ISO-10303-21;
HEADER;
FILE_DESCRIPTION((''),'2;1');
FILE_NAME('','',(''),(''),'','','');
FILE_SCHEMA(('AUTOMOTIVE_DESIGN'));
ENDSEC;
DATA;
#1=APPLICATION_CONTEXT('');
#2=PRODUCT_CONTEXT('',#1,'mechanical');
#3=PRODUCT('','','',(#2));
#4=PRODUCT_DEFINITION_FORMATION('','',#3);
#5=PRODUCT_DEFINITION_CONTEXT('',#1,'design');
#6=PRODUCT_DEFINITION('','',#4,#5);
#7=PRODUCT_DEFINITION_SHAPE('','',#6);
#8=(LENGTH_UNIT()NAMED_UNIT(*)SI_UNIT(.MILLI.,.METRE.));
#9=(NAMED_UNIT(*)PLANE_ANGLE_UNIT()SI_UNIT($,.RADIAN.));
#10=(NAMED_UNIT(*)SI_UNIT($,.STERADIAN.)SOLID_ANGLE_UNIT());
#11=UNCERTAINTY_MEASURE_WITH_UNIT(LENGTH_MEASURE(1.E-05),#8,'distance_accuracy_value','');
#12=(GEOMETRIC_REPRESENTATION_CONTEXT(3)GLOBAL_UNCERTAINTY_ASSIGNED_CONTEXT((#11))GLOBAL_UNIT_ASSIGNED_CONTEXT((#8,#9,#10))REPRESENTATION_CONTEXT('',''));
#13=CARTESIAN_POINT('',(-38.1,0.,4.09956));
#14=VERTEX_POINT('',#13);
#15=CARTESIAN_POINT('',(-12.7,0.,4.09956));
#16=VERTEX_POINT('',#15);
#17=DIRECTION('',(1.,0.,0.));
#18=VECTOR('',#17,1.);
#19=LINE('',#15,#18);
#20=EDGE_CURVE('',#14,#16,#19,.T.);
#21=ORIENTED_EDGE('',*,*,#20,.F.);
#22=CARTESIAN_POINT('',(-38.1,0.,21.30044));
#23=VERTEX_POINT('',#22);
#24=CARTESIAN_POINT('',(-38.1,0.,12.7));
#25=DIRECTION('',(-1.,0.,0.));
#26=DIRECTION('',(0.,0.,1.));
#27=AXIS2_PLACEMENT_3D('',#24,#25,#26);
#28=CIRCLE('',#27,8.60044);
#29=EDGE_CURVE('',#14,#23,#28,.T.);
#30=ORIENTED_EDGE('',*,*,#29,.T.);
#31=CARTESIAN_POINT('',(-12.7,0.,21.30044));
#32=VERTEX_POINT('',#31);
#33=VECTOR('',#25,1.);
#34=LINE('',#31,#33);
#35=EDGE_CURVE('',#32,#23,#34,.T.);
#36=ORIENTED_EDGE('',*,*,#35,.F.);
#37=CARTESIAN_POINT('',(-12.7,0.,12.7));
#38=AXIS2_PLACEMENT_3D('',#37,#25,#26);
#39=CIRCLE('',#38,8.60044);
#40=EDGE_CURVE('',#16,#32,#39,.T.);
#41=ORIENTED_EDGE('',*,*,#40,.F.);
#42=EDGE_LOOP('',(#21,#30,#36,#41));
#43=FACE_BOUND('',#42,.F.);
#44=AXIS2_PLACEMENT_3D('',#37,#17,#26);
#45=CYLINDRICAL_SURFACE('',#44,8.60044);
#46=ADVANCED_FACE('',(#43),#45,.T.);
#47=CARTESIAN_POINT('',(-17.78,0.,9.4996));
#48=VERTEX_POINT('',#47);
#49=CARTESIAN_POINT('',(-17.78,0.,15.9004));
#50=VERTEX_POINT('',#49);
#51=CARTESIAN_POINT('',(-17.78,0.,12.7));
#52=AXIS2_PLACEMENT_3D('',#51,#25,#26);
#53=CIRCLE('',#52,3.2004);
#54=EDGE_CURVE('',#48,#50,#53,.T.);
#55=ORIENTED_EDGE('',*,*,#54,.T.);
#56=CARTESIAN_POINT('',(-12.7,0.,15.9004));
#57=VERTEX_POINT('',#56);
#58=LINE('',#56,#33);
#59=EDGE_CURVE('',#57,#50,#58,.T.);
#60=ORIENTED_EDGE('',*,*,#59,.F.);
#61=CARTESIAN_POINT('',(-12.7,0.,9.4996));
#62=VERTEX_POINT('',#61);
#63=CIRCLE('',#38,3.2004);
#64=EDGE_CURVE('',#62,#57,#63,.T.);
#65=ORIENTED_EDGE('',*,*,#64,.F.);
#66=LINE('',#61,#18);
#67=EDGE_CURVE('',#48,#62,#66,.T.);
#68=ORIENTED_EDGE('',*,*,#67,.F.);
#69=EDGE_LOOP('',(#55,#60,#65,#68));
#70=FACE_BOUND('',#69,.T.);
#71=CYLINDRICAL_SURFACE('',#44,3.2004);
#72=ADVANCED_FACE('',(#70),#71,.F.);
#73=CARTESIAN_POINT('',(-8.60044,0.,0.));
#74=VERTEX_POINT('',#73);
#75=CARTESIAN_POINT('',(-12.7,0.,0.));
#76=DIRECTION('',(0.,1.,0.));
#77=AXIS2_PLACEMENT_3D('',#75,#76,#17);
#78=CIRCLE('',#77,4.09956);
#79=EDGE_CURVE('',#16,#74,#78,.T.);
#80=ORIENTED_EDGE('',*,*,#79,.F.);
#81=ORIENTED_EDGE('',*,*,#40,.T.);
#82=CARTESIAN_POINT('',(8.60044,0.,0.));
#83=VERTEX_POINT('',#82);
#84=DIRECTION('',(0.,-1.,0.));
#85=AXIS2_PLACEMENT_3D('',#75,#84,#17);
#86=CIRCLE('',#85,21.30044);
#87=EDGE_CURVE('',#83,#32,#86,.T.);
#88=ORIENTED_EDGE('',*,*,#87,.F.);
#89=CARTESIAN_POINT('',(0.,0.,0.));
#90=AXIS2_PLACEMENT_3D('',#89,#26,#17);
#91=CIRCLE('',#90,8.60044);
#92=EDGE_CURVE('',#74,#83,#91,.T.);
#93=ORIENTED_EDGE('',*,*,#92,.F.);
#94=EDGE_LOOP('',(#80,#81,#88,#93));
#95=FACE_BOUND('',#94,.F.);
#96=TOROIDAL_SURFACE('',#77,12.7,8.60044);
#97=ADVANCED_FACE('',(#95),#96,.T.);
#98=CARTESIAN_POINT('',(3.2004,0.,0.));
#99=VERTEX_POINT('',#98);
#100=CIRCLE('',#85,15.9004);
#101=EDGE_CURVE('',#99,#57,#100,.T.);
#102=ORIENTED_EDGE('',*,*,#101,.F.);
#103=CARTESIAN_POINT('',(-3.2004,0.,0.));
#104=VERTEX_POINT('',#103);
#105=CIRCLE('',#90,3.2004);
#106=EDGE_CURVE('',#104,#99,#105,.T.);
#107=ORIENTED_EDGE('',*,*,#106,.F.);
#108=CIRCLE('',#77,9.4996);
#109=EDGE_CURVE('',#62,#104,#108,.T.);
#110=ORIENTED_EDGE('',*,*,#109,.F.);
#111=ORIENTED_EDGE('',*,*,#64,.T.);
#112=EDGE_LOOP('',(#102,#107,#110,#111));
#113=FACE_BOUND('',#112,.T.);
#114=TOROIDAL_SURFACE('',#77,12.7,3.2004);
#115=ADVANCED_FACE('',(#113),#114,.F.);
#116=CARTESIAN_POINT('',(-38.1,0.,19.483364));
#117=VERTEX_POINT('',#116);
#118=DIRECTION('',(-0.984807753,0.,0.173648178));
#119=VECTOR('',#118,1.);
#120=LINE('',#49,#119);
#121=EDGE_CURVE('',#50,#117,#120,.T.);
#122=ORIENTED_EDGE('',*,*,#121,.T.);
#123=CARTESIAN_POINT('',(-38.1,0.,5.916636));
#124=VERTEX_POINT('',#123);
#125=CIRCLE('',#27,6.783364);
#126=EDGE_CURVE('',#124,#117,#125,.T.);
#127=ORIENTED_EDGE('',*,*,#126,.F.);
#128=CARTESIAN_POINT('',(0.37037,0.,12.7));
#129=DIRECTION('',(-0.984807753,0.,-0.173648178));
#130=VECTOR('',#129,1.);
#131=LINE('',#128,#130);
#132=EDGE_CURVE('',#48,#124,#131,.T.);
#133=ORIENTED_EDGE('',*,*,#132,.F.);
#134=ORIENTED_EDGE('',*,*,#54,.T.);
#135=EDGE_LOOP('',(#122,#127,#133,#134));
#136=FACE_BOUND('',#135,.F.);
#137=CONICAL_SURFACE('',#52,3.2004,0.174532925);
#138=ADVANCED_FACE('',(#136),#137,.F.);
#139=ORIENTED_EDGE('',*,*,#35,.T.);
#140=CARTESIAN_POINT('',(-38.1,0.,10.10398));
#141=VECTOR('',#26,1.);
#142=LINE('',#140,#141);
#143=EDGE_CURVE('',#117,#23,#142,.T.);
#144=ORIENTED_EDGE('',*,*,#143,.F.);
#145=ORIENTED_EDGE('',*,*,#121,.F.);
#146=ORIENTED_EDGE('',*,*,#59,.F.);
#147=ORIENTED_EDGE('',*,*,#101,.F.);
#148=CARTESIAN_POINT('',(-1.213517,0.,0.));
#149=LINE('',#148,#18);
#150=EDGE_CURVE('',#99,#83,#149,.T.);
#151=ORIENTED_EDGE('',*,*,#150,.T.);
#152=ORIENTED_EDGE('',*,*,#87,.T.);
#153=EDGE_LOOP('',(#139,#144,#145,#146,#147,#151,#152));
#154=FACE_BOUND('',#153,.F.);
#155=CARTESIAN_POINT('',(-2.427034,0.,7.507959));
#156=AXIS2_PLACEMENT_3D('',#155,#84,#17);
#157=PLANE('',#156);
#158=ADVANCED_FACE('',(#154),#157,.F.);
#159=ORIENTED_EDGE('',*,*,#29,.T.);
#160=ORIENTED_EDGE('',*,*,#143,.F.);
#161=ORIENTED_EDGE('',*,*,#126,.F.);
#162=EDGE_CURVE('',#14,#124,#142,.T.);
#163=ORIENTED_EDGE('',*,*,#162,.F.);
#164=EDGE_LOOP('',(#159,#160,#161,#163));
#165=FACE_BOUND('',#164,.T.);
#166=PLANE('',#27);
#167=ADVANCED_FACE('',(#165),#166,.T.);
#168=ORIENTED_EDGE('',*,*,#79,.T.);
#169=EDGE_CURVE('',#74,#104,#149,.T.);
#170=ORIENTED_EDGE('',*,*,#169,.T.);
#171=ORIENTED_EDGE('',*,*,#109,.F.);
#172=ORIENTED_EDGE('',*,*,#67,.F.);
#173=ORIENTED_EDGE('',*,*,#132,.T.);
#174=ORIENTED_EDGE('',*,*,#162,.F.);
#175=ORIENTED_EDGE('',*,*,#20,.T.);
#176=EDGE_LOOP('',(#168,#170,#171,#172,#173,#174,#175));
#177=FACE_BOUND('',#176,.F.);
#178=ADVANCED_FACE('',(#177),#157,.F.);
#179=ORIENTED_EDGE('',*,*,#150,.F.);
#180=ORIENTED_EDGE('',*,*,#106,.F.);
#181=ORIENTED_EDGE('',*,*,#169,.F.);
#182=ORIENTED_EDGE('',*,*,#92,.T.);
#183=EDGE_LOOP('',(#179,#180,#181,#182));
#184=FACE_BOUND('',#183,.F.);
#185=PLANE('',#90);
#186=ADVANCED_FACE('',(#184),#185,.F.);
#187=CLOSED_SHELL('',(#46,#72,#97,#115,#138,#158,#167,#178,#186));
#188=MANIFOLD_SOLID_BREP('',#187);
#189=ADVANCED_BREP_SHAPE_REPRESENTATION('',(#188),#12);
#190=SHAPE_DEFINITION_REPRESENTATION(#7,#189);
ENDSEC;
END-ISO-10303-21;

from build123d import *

# Parameters (mm, degrees)
F0_R     = 8.60044
F0_R_2   = 3.2004
F2_ANGLE = 90
F3_DEPTH = 25.4
F4_SIZE2 = 3.582964248
F4_SIZE  = 20.32
F5_W     = 290.7801419497
F5_H     = 55.9114702046
F6_DEPTH = 25.4


with BuildPart() as f2:
    # F0 (on Top) → F2 (revolve)
    with BuildSketch(Plane.XY):
        Circle(F0_R)
        Circle(F0_R_2, mode=Mode.SUBTRACT)
    revolve(axis=Axis((-12.7, -0.6994176656, 0), (0, -1, 0)), revolution_arc=F2_ANGLE)

    # F3 (add): a face of the model
    f3_faces = [f2.faces().sort_by_distance(p)[0] for p in [
        (-12.7, 0, 4.3428171778),
    ]]
    extrude(f3_faces, amount=F3_DEPTH)

    # F4
    f4_edges = [f2.edges().sort_by_distance(p)[0] for p in [
        (-38.1, 0, 9.4996),
    ]]
    f4_side = f2.faces().sort_by_distance((-25.4, 0, 9.4996))[0]
    chamfer(f4_edges, length=F4_SIZE, length2=F4_SIZE2, reference=f4_side)

    # F5 (on Front) → F6 (cut)
    with BuildSketch(Plane.XZ):
        with Locations((-2.42703408, 7.5079593807)):
            Rectangle(F5_W, F5_H)
    extrude(amount=-F6_DEPTH, mode=Mode.SUBTRACT)


solid = f2.part
